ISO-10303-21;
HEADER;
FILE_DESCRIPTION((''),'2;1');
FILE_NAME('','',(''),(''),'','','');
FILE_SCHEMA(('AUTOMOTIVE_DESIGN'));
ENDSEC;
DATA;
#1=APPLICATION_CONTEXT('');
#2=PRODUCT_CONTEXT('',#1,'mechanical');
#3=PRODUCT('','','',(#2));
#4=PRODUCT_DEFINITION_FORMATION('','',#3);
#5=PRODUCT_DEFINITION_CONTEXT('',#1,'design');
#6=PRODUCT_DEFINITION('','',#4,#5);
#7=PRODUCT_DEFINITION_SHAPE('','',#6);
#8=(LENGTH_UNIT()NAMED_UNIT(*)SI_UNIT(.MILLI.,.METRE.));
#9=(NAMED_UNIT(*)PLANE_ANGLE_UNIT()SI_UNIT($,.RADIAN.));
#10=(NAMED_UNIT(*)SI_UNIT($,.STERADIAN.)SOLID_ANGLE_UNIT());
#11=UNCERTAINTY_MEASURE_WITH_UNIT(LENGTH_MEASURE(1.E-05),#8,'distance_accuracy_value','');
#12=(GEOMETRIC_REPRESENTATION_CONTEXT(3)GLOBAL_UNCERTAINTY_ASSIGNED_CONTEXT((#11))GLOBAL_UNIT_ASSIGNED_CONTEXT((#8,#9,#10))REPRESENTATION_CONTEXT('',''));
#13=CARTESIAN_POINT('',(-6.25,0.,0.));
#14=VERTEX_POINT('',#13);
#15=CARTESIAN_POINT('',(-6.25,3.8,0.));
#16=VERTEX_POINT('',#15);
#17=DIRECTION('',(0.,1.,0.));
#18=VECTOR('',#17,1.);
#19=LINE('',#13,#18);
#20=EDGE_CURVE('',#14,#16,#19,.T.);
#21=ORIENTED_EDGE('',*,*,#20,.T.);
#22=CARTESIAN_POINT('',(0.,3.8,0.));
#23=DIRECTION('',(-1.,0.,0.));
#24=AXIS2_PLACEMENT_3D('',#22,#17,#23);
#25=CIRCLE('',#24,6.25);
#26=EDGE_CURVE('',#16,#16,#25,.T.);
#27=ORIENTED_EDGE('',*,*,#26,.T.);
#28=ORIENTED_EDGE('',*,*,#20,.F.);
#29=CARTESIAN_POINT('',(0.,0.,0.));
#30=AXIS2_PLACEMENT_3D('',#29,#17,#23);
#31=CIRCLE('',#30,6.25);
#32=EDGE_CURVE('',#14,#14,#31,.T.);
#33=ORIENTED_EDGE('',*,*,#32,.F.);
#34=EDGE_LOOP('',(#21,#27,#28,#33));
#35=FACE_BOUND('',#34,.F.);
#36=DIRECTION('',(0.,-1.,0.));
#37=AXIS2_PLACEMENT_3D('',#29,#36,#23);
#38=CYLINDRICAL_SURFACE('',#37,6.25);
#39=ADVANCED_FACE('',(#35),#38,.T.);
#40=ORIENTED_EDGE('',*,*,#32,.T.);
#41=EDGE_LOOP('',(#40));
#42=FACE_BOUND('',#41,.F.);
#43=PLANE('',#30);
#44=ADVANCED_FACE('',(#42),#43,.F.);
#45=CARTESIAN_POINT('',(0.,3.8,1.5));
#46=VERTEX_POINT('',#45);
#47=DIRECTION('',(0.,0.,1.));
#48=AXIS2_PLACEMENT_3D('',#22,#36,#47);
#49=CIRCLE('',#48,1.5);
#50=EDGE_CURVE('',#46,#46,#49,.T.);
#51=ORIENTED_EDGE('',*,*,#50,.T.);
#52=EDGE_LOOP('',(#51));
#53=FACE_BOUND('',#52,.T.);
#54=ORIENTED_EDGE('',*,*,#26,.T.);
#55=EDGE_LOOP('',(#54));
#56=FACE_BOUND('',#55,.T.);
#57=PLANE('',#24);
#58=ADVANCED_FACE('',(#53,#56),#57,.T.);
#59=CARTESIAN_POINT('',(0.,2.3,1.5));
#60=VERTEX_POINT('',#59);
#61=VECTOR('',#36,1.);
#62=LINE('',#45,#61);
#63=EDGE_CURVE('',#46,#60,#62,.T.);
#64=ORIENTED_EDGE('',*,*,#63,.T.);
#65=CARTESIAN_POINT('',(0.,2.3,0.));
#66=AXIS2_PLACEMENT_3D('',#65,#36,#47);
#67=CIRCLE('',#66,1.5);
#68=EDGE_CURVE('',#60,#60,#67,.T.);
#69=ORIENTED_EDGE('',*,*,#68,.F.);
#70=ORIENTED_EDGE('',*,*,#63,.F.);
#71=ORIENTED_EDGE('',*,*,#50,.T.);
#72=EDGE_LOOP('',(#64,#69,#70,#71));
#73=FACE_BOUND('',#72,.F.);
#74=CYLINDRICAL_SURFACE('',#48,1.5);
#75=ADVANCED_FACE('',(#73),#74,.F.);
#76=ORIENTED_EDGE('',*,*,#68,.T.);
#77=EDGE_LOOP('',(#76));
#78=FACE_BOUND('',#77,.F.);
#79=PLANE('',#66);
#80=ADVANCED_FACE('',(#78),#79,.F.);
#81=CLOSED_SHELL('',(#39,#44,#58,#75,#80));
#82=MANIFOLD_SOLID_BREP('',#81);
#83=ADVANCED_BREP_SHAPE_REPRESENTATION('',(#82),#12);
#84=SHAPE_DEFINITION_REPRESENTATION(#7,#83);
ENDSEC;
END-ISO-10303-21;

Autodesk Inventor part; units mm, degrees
ref_plane "YZ Plane" through (0, 0, 0) normal (1, 0, 0) x (0, 1, 0)
ref_plane "XZ Plane" through (0, 0, 0) normal (0, 1, 0) x (-1, 0, 0)
ref_plane "XY Plane" through (0, 0, 0) normal (0, 0, 1) x (1, 0, 0)
sketch "Sketch1" plane through (0, 0, 0) normal (0, 1, 0) x (-1, 0, 0)
  circle A0 centre (0, 0) radius 6.25
  dimension "d0" = 12.5
extrude "Extrusion1" add sketch "Sketch1" along normal blind 3.8
sketch "Sketch2" plane through (0, 3.8, 0) normal (0, 1, 0) x (1, 0, 0)
  point P0 (0, 0)
hole "Hole1" at (0, 3.8, 0) direction (0, -1, 0) diameter 3 depth 1.5
properties part number "Back Cover TPS seal"
